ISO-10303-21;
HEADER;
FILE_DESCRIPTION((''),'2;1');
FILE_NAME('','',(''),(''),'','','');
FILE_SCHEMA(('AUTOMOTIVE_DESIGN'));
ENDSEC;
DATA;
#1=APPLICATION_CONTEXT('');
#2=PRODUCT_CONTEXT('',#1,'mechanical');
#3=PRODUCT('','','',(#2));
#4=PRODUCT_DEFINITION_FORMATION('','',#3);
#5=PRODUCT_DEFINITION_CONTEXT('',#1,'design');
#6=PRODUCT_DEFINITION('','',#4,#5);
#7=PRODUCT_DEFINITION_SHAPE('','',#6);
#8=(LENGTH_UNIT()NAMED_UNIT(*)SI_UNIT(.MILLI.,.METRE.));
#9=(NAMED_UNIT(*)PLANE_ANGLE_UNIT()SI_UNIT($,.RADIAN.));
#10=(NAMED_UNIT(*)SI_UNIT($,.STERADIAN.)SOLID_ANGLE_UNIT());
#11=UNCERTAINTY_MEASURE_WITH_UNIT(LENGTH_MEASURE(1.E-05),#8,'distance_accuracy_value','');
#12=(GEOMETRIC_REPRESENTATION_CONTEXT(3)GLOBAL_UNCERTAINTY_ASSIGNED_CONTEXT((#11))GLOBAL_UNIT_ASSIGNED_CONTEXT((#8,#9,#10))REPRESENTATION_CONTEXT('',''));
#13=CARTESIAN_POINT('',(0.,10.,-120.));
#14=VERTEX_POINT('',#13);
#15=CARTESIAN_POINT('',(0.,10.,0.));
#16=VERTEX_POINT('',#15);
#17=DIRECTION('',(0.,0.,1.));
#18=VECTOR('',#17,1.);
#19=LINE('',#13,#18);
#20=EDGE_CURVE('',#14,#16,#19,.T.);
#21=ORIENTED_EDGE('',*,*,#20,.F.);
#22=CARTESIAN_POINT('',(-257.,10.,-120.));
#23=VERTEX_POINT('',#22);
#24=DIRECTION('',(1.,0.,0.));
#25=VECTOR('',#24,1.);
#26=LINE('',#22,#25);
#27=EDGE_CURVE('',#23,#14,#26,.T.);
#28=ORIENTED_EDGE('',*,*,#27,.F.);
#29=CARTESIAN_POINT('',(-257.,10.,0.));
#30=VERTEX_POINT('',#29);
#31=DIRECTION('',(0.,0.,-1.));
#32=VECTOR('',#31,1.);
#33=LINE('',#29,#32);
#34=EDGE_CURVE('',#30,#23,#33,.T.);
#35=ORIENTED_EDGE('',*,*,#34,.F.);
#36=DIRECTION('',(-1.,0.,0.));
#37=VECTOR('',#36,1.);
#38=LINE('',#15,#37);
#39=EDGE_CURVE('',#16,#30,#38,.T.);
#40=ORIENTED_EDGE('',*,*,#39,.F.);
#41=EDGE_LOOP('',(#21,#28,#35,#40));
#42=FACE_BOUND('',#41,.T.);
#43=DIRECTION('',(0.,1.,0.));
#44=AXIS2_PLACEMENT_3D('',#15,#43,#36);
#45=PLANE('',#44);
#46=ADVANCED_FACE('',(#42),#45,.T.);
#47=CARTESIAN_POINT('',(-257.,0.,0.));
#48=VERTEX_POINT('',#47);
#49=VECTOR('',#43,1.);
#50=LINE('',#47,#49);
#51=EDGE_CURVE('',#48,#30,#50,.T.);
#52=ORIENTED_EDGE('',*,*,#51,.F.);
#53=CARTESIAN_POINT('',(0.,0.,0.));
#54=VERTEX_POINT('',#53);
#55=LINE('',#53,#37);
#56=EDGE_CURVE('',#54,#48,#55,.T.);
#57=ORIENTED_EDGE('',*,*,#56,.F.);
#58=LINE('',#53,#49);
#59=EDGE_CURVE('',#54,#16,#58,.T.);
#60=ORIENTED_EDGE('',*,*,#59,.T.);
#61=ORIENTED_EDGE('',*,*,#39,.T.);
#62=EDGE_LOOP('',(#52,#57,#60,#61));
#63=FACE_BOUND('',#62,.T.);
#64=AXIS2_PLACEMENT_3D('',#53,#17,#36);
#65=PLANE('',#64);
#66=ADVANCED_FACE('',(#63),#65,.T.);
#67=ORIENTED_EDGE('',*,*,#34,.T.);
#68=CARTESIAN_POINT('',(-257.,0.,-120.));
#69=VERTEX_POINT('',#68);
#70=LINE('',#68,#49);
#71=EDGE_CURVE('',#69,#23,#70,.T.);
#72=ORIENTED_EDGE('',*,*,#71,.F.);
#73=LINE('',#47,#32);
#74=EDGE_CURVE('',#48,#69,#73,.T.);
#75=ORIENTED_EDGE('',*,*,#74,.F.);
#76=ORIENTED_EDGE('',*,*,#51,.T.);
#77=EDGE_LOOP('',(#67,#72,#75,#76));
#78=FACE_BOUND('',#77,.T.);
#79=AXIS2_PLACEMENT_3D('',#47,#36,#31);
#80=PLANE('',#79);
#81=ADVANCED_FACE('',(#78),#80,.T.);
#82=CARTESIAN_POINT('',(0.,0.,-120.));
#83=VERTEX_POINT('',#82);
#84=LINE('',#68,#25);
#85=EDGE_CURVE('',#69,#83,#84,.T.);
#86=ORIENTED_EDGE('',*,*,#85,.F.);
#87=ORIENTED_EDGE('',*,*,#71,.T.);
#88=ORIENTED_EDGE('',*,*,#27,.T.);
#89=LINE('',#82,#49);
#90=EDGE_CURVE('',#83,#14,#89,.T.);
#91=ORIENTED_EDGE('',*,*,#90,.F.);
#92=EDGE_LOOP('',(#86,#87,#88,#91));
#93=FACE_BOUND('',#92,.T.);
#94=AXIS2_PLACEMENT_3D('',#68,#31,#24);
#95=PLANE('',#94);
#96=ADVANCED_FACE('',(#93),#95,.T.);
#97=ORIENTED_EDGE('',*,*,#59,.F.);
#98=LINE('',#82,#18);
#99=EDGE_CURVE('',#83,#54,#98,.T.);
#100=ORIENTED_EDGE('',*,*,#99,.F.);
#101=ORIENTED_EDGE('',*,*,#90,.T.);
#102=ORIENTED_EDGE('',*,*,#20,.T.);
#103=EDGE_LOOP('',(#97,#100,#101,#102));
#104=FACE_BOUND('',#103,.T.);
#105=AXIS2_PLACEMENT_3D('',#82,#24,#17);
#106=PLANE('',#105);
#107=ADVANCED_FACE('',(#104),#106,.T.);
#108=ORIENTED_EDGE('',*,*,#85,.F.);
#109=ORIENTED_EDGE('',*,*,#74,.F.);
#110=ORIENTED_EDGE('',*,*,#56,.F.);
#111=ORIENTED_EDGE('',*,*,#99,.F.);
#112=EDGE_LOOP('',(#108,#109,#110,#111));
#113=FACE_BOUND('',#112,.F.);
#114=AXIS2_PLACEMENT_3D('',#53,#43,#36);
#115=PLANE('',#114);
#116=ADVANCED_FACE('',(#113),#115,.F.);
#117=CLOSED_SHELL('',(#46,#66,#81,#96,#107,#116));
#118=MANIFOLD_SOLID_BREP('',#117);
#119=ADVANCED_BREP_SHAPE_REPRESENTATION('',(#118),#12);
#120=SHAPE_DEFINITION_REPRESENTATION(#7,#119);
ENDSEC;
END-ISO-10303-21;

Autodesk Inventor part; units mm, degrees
ref_plane "YZ Plane" through (0, 0, 0) normal (1, 0, 0) x (0, 1, 0)
ref_plane "XZ Plane" through (0, 0, 0) normal (0, 1, 0) x (-1, 0, 0)
ref_plane "XY Plane" through (0, 0, 0) normal (0, 0, 1) x (1, 0, 0)
sketch "Sketch1" plane through (0, 0, 0) normal (0, 1, 0) x (-1, 0, 0)
  line L0 (0, 0) -> (257, 0)
  line L1 (257, 0) -> (257, -120)
  line L2 (257, -120) -> (0, -120)
  line L3 (0, -120) -> (0, 0)
  dimension "d0" = 257
  dimension "d1" = 120
extrude "Extrusion1" add sketch "Sketch1" along normal blind 10
properties part number "opener" material "PC/ABS Plastic"
